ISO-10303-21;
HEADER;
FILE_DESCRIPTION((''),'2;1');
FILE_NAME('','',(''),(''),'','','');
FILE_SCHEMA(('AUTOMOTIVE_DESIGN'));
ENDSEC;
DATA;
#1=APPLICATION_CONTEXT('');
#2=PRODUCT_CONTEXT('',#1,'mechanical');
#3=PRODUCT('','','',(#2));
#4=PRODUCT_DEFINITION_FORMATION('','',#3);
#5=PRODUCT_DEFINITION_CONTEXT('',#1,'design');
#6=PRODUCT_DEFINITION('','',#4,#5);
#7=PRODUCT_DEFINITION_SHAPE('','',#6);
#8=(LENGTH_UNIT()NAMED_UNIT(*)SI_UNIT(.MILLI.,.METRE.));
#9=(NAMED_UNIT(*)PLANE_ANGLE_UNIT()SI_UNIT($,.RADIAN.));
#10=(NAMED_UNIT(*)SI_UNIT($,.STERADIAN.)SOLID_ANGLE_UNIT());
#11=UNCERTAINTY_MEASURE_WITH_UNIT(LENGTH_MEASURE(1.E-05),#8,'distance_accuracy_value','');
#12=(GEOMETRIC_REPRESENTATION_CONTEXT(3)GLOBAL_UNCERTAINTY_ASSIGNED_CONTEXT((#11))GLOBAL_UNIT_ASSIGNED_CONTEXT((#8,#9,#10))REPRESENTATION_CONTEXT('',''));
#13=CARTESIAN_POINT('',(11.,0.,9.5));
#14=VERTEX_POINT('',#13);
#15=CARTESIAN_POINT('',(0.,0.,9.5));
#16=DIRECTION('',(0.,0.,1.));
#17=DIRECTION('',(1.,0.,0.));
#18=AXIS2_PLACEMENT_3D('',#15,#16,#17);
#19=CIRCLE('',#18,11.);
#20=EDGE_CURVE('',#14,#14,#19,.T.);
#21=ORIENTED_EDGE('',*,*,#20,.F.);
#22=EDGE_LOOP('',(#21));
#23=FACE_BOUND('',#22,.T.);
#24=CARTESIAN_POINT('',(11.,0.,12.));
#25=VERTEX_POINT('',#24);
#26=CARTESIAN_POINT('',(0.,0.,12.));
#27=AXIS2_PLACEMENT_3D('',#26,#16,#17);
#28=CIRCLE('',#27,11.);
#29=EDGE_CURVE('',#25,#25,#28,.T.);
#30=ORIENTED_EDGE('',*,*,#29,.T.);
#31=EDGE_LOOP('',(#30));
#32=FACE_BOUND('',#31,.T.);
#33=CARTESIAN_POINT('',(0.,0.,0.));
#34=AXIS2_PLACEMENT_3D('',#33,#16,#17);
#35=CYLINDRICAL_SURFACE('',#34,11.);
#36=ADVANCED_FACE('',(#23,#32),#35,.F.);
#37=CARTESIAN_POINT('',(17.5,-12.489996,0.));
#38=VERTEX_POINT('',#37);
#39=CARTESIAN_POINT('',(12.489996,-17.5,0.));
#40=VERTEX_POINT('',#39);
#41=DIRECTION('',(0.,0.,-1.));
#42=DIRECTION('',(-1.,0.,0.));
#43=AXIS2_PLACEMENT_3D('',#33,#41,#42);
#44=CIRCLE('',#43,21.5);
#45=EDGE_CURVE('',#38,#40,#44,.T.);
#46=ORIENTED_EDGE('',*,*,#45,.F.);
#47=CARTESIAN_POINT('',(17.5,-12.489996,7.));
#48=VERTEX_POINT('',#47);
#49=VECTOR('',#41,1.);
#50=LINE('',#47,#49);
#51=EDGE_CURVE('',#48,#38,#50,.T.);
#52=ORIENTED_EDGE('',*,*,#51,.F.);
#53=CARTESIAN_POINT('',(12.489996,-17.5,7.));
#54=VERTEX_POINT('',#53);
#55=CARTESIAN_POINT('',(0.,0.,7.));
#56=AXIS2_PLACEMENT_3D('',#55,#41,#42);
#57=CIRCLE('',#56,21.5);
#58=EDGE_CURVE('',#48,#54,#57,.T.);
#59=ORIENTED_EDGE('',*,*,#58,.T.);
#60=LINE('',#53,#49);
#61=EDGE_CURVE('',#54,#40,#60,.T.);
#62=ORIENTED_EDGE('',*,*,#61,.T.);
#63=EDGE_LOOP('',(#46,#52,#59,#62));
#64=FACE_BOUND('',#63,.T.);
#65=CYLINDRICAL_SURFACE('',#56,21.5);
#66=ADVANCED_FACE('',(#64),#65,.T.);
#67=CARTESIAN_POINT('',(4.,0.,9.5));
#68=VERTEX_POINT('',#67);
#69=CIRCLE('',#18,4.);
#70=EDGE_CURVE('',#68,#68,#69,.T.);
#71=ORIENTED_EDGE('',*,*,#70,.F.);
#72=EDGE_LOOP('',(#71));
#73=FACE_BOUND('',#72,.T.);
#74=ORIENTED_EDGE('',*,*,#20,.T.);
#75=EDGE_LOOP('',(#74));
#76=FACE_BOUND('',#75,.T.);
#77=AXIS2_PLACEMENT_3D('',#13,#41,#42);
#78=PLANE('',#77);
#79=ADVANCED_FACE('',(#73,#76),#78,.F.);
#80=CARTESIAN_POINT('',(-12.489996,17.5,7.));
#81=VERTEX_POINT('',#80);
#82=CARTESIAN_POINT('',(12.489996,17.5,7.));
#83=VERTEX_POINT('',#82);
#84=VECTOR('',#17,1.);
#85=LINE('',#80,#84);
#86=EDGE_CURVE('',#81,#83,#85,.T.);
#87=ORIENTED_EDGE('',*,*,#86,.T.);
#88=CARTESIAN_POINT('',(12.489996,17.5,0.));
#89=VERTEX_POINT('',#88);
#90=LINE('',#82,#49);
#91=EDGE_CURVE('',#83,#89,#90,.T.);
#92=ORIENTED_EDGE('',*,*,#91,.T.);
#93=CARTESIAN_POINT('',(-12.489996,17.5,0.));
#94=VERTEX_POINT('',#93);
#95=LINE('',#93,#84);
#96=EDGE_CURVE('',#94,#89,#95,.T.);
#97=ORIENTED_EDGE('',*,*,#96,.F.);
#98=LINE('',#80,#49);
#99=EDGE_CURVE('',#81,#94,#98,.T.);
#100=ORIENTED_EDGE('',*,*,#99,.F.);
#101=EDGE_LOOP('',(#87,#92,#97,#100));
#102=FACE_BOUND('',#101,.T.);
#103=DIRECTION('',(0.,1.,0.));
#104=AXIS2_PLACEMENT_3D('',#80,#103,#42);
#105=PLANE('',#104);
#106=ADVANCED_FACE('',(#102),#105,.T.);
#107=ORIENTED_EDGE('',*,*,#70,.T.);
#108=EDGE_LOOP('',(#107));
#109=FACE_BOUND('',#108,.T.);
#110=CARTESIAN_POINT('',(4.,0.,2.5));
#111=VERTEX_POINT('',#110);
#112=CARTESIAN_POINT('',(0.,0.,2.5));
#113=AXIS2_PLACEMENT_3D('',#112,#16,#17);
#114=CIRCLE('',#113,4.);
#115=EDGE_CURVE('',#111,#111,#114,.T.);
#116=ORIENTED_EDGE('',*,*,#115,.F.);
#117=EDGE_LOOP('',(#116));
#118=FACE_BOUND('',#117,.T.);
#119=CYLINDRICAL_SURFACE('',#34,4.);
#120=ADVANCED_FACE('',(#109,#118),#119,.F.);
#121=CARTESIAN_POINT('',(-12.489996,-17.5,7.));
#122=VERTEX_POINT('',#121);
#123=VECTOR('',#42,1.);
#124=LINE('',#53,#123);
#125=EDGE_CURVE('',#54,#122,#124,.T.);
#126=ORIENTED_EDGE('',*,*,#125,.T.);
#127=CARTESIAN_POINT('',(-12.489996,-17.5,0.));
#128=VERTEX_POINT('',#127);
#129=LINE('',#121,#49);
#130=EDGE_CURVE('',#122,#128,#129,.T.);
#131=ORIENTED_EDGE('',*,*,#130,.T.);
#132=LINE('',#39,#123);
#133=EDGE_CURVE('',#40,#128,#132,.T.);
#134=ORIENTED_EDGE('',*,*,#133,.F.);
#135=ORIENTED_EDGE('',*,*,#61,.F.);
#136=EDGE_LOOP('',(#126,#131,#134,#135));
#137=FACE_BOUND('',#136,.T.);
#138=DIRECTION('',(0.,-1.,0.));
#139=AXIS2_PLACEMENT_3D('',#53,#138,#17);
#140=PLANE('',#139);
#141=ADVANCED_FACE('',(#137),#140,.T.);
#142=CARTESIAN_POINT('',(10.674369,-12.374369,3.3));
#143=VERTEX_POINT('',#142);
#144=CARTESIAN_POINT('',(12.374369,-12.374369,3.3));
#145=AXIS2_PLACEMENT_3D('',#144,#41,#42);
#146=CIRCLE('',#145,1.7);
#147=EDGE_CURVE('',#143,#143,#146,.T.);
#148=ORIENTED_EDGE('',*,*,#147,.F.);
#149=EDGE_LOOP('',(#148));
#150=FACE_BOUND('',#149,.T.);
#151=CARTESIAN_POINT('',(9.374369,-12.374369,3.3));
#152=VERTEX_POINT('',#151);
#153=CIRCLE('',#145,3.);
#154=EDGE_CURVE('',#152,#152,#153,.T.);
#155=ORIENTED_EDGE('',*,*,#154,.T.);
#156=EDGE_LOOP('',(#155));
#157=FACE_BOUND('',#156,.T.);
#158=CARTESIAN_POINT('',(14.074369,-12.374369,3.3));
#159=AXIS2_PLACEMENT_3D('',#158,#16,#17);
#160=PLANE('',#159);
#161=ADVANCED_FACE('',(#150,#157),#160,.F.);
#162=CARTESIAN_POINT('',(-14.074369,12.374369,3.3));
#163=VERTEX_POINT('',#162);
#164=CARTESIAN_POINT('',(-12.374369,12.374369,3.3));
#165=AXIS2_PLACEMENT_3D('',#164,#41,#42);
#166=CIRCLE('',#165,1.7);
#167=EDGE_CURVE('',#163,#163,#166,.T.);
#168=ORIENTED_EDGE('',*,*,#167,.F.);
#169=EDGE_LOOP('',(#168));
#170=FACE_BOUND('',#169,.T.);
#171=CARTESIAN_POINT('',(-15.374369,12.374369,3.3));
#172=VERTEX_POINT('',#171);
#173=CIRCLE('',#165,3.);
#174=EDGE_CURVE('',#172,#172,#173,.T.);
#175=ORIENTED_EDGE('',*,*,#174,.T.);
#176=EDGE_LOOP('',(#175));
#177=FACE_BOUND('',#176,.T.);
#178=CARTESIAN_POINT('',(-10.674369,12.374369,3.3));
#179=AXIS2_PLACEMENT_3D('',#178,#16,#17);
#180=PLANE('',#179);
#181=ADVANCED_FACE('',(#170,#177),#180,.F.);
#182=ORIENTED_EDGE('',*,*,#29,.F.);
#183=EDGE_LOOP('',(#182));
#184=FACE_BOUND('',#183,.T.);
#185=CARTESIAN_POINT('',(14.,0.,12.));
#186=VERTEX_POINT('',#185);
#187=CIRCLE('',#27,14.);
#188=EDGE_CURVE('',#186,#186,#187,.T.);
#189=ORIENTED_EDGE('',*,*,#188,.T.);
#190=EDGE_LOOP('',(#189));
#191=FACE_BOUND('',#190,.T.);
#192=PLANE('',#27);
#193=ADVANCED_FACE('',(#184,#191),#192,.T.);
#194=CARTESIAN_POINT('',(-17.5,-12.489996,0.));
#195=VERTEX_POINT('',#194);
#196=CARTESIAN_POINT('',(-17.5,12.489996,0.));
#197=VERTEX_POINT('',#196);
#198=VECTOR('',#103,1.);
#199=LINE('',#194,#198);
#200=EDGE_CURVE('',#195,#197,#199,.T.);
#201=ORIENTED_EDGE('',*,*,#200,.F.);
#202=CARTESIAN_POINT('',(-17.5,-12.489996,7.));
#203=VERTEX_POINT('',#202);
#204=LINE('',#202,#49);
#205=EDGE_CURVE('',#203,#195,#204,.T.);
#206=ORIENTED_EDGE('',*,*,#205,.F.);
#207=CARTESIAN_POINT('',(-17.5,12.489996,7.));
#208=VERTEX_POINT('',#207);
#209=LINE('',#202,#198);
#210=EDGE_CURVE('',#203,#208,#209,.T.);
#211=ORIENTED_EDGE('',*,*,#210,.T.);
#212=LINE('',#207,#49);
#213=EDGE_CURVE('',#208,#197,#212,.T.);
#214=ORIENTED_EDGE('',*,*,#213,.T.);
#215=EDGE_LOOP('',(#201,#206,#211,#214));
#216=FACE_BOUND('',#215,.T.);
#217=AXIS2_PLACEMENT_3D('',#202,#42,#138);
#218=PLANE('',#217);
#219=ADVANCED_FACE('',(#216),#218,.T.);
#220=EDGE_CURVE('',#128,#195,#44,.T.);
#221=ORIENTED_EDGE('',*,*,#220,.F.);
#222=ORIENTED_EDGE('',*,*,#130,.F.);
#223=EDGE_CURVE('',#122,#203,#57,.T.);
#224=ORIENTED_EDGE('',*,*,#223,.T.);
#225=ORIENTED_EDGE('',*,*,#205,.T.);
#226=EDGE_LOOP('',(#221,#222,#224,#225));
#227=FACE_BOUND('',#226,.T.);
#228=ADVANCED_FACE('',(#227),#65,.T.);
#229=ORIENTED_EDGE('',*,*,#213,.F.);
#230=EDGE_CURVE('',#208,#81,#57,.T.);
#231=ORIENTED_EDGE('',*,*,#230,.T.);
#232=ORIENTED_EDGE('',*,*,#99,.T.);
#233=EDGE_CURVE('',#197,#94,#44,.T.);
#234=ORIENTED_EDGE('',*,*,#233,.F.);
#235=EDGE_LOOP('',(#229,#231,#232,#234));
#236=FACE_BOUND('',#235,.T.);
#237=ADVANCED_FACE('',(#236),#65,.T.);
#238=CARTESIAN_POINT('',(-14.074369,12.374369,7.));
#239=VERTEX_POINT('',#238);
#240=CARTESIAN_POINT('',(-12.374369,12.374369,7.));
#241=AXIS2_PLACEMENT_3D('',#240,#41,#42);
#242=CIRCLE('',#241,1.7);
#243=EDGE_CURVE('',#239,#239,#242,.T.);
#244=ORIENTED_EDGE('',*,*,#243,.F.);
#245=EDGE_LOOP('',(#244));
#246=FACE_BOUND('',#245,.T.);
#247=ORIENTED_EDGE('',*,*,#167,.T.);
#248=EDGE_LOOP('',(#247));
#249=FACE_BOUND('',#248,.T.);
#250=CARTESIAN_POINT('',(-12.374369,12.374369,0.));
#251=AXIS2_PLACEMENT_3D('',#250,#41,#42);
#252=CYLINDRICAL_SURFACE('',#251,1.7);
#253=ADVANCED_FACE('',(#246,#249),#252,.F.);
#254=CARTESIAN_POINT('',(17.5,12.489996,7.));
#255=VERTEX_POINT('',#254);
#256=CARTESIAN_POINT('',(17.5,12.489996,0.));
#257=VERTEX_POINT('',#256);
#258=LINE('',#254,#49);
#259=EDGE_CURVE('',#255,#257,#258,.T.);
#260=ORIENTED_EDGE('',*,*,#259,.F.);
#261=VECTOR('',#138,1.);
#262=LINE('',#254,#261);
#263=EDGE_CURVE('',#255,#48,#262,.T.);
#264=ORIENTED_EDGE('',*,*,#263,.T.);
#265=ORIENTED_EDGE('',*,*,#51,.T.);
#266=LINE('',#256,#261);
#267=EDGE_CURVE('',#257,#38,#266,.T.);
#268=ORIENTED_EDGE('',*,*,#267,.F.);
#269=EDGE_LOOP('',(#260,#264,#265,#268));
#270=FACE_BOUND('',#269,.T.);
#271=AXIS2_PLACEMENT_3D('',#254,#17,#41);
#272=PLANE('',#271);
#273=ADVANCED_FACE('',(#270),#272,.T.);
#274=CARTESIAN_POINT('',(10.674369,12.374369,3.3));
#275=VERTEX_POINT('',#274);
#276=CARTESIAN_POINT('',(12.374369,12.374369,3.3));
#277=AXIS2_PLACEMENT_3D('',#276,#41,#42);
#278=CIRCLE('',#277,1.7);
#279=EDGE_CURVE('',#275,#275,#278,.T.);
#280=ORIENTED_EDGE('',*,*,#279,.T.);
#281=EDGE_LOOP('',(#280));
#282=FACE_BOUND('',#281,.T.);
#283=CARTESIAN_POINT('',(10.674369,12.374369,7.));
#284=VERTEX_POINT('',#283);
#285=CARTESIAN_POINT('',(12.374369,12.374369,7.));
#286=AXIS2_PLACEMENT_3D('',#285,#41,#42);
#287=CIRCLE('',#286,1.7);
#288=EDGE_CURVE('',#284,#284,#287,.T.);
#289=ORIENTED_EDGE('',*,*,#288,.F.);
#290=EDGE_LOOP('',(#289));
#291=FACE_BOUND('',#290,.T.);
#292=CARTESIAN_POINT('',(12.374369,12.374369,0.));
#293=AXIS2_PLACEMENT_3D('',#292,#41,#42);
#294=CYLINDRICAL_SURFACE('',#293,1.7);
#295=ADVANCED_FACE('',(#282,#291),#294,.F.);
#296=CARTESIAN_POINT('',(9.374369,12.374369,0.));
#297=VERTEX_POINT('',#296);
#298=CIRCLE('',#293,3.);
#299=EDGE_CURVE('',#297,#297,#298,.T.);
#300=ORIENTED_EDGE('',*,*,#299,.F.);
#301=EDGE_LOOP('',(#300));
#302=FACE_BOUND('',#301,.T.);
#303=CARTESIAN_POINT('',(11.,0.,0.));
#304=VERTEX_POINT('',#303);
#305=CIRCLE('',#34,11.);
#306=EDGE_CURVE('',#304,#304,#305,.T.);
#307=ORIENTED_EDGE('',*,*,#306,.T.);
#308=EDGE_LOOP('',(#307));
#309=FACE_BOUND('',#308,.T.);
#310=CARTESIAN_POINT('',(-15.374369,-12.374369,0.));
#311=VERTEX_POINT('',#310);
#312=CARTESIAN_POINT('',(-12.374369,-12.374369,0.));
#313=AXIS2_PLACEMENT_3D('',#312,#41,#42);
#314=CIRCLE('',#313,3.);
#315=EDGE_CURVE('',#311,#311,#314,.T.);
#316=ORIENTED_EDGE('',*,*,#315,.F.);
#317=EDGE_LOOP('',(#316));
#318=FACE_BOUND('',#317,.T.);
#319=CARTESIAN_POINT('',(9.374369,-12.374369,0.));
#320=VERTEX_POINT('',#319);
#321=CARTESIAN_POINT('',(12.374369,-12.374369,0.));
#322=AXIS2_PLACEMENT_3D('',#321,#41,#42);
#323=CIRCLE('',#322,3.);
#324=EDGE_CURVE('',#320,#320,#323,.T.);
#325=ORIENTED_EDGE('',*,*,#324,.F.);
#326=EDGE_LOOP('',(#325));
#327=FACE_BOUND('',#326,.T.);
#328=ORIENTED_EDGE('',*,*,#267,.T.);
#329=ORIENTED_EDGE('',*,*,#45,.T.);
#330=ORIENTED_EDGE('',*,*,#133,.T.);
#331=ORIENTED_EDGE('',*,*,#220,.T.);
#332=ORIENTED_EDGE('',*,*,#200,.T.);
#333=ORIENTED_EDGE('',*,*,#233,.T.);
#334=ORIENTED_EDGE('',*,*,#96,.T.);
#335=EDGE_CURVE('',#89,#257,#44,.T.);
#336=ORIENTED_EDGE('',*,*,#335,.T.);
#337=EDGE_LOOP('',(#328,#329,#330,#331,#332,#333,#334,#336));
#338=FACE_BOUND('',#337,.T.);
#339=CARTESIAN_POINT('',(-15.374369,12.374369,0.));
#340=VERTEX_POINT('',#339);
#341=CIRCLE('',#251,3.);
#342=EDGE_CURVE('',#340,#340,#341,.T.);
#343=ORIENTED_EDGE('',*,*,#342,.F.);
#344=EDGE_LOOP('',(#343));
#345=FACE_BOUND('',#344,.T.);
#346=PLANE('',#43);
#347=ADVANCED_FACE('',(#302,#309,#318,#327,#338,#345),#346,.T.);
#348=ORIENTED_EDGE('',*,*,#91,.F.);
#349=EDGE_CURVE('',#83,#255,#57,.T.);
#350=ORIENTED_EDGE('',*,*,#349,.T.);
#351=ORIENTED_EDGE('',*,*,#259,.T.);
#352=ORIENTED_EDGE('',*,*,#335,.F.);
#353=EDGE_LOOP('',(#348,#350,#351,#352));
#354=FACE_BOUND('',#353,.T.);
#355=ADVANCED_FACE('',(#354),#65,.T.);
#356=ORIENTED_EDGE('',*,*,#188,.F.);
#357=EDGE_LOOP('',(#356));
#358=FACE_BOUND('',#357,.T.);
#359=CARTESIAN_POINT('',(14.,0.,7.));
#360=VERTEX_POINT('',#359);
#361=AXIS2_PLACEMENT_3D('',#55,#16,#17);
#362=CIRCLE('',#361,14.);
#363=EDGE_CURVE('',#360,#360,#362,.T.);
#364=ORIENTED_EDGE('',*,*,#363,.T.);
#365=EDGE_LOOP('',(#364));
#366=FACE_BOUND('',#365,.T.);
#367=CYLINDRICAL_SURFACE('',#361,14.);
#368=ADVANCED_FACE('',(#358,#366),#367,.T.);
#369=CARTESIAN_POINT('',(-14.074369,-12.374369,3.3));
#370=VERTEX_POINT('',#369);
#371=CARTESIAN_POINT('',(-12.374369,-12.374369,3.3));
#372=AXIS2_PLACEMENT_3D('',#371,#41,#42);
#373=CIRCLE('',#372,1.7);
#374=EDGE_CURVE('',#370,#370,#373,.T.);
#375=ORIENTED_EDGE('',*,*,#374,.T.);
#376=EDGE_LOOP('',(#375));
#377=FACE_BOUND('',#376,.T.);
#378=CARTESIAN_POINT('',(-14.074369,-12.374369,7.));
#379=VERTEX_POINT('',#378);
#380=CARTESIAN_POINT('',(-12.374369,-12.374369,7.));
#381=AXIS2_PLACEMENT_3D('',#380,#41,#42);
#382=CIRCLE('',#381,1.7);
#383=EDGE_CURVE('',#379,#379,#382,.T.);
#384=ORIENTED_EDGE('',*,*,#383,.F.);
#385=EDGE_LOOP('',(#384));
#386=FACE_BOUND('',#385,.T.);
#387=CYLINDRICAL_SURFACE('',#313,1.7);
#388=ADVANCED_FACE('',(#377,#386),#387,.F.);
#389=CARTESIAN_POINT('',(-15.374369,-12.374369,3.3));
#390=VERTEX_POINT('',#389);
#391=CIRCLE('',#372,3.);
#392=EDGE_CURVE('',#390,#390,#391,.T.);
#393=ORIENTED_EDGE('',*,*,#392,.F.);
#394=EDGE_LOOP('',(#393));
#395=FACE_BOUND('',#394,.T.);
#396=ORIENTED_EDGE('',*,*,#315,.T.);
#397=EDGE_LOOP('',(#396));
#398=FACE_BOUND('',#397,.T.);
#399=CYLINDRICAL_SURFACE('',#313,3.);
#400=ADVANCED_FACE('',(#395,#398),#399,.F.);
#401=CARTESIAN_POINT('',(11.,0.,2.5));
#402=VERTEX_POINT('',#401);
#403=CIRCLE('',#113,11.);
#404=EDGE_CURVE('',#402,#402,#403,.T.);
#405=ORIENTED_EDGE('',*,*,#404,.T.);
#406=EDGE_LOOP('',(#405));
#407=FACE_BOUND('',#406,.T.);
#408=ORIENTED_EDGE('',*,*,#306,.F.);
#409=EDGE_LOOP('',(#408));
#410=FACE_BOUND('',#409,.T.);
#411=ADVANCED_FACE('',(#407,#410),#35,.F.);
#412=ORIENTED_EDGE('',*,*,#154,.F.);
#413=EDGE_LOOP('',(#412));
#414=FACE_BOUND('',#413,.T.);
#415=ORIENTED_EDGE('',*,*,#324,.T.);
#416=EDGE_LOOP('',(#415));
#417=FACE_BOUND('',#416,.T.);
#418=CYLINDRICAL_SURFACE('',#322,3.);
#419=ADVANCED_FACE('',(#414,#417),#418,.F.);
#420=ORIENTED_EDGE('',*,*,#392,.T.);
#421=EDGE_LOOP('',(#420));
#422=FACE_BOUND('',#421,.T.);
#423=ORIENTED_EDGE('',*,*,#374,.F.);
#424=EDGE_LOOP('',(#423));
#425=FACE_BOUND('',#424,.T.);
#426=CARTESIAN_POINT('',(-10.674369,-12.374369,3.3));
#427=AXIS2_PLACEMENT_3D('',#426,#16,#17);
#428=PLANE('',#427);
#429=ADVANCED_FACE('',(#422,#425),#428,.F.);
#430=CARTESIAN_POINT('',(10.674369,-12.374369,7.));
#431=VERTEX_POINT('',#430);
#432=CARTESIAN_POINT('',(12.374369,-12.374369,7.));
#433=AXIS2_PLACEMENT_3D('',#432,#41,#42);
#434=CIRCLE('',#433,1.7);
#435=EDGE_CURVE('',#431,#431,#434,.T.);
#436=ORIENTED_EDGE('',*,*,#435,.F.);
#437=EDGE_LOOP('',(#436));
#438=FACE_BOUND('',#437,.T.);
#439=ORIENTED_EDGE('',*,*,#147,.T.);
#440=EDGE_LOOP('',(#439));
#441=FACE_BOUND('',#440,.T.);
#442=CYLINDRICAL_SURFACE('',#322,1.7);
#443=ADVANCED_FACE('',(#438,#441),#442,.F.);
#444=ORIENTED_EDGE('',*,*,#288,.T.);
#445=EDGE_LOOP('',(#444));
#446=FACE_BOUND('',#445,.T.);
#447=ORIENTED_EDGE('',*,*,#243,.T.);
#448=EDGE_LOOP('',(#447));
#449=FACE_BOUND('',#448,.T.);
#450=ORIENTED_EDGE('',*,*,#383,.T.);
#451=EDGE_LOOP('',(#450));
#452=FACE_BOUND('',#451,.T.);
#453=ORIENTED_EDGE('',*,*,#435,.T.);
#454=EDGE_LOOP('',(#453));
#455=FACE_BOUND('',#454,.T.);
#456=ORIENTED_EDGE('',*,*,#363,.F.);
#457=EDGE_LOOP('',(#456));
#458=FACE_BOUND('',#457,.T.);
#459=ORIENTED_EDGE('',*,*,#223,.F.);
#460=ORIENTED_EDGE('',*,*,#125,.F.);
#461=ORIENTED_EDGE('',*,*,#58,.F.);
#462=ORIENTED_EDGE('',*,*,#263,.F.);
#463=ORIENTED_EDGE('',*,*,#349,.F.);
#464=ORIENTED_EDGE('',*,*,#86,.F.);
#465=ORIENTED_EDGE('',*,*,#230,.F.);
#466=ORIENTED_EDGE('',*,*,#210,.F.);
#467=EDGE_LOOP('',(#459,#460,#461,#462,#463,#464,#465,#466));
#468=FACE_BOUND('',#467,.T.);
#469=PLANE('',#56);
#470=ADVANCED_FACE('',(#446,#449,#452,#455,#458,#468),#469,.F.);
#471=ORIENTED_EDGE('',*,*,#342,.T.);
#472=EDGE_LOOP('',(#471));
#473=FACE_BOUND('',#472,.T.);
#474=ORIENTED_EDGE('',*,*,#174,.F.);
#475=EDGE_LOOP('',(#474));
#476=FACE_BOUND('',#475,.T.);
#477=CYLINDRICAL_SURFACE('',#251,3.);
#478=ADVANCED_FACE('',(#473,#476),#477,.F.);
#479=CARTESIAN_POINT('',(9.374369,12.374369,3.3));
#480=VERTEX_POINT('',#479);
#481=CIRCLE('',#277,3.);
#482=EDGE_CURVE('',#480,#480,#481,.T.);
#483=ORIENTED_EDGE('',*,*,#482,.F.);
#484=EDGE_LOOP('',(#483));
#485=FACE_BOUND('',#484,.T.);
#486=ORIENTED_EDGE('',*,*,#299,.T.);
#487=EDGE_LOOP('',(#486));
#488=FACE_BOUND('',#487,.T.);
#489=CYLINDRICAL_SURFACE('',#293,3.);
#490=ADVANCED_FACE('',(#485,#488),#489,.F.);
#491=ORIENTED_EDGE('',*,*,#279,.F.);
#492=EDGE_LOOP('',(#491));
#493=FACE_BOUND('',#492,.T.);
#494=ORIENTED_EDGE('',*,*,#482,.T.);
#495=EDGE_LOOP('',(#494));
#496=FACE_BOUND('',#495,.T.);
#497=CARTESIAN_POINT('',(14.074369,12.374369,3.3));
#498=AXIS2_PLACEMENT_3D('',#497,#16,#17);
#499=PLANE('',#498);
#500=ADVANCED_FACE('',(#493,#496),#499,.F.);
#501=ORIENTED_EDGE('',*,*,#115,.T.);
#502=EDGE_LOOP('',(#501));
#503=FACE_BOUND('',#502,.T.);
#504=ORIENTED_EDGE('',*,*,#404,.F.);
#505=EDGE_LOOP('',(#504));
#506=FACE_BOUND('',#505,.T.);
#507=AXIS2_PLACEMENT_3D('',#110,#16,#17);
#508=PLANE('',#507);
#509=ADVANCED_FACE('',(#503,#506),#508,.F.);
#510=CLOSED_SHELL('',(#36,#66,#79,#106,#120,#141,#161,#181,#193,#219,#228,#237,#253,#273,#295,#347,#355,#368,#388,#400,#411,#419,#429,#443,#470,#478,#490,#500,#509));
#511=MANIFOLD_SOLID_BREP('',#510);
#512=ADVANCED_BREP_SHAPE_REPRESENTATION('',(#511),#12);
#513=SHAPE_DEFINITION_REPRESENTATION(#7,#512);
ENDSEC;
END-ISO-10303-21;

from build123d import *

# Parameters (mm, degrees)
BOSS_EXTRU_1_DEPTH                                 = 7
ESQUISSE2_W                                        = 14
ESQUISSE2_H                                        = 5
CHAMBRAGE_POUR_VIS_T_TE_HEXAGONALE_M31_D           = 3.4
CHAMBRAGE_POUR_VIS_T_TE_HEXAGONALE_M31_DEPTH       = 12
CHAMBRAGE_POUR_VIS_T_TE_HEXAGONALE_M31_CBORE_D     = 6
CHAMBRAGE_POUR_VIS_T_TE_HEXAGONALE_M31_CBORE_DEPTH = 3.3


with BuildPart() as part:
    # Esquisse1 → Boss.-Extru.1 (new body)
    with BuildSketch(Plane(origin=(0, 0, 0), x_dir=(-1, 0, 0), z_dir=(0, 0, -1))):
        with BuildLine():
            Line((-17.5, 12.489995997), (-17.5, -12.489995997))
            ThreePointArc((-17.5, -12.489995997), (-15.202795796, -15.202795796), (-12.489995997, -17.5))
            Line((-12.489995997, -17.5), (12.489995997, -17.5))
            ThreePointArc((12.489995997, -17.5), (15.202795796, -15.202795796), (17.5, -12.489995997))
            Line((17.5, -12.489995997), (17.5, 12.489995997))
            ThreePointArc((17.5, 12.489995997), (15.202795796, 15.202795796), (12.489995997, 17.5))
            Line((12.489995997, 17.5), (-12.489995997, 17.5))
            ThreePointArc((-12.489995997, 17.5), (-15.202795796, 15.202795796), (-17.5, 12.489995997))
        make_face()
    extrude(amount=-BOSS_EXTRU_1_DEPTH)

    # Esquisse2 → Révolution1 (revolve)
    with BuildSketch(Plane(origin=(0, 0, 0), x_dir=(1, 0, 0), z_dir=(0, 1, 0))):
        with Locations((7, -9.5)):
            Rectangle(ESQUISSE2_W, ESQUISSE2_H)
    revolve(axis=Axis((0, 0, 7), (0, 0, 1)))

    # Esquisse3 → Enlèvement de matière-Révolution1 (revolve, cut)
    with BuildSketch(Plane(origin=(0, 0, 0), x_dir=(1, 0, 0), z_dir=(0, 1, 0))):
        Polygon((11, 0), (0, 0), (0, -12), (11, -12), (11, -9.5), (4, -9.5), (4, -2.5), (11, -2.5), align=None)
    revolve(axis=Axis((0, 0, 0), (0, 0, 1)), mode=Mode.SUBTRACT)

    # Chambrage pour vis à tête hexagonale M31
    with Locations(Plane(origin=(0, 0, 0), x_dir=(-1, 0, 0), z_dir=(0, 0, -1))):
        with Locations((12.374368671, 12.374368671), (-12.374368671, 12.374368671), (-12.374368671, -12.374368671), (12.374368671, -12.374368671)):
            CounterBoreHole(CHAMBRAGE_POUR_VIS_T_TE_HEXAGONALE_M31_D / 2, CHAMBRAGE_POUR_VIS_T_TE_HEXAGONALE_M31_CBORE_D / 2, CHAMBRAGE_POUR_VIS_T_TE_HEXAGONALE_M31_CBORE_DEPTH, depth=CHAMBRAGE_POUR_VIS_T_TE_HEXAGONALE_M31_DEPTH)


solid = part.part
